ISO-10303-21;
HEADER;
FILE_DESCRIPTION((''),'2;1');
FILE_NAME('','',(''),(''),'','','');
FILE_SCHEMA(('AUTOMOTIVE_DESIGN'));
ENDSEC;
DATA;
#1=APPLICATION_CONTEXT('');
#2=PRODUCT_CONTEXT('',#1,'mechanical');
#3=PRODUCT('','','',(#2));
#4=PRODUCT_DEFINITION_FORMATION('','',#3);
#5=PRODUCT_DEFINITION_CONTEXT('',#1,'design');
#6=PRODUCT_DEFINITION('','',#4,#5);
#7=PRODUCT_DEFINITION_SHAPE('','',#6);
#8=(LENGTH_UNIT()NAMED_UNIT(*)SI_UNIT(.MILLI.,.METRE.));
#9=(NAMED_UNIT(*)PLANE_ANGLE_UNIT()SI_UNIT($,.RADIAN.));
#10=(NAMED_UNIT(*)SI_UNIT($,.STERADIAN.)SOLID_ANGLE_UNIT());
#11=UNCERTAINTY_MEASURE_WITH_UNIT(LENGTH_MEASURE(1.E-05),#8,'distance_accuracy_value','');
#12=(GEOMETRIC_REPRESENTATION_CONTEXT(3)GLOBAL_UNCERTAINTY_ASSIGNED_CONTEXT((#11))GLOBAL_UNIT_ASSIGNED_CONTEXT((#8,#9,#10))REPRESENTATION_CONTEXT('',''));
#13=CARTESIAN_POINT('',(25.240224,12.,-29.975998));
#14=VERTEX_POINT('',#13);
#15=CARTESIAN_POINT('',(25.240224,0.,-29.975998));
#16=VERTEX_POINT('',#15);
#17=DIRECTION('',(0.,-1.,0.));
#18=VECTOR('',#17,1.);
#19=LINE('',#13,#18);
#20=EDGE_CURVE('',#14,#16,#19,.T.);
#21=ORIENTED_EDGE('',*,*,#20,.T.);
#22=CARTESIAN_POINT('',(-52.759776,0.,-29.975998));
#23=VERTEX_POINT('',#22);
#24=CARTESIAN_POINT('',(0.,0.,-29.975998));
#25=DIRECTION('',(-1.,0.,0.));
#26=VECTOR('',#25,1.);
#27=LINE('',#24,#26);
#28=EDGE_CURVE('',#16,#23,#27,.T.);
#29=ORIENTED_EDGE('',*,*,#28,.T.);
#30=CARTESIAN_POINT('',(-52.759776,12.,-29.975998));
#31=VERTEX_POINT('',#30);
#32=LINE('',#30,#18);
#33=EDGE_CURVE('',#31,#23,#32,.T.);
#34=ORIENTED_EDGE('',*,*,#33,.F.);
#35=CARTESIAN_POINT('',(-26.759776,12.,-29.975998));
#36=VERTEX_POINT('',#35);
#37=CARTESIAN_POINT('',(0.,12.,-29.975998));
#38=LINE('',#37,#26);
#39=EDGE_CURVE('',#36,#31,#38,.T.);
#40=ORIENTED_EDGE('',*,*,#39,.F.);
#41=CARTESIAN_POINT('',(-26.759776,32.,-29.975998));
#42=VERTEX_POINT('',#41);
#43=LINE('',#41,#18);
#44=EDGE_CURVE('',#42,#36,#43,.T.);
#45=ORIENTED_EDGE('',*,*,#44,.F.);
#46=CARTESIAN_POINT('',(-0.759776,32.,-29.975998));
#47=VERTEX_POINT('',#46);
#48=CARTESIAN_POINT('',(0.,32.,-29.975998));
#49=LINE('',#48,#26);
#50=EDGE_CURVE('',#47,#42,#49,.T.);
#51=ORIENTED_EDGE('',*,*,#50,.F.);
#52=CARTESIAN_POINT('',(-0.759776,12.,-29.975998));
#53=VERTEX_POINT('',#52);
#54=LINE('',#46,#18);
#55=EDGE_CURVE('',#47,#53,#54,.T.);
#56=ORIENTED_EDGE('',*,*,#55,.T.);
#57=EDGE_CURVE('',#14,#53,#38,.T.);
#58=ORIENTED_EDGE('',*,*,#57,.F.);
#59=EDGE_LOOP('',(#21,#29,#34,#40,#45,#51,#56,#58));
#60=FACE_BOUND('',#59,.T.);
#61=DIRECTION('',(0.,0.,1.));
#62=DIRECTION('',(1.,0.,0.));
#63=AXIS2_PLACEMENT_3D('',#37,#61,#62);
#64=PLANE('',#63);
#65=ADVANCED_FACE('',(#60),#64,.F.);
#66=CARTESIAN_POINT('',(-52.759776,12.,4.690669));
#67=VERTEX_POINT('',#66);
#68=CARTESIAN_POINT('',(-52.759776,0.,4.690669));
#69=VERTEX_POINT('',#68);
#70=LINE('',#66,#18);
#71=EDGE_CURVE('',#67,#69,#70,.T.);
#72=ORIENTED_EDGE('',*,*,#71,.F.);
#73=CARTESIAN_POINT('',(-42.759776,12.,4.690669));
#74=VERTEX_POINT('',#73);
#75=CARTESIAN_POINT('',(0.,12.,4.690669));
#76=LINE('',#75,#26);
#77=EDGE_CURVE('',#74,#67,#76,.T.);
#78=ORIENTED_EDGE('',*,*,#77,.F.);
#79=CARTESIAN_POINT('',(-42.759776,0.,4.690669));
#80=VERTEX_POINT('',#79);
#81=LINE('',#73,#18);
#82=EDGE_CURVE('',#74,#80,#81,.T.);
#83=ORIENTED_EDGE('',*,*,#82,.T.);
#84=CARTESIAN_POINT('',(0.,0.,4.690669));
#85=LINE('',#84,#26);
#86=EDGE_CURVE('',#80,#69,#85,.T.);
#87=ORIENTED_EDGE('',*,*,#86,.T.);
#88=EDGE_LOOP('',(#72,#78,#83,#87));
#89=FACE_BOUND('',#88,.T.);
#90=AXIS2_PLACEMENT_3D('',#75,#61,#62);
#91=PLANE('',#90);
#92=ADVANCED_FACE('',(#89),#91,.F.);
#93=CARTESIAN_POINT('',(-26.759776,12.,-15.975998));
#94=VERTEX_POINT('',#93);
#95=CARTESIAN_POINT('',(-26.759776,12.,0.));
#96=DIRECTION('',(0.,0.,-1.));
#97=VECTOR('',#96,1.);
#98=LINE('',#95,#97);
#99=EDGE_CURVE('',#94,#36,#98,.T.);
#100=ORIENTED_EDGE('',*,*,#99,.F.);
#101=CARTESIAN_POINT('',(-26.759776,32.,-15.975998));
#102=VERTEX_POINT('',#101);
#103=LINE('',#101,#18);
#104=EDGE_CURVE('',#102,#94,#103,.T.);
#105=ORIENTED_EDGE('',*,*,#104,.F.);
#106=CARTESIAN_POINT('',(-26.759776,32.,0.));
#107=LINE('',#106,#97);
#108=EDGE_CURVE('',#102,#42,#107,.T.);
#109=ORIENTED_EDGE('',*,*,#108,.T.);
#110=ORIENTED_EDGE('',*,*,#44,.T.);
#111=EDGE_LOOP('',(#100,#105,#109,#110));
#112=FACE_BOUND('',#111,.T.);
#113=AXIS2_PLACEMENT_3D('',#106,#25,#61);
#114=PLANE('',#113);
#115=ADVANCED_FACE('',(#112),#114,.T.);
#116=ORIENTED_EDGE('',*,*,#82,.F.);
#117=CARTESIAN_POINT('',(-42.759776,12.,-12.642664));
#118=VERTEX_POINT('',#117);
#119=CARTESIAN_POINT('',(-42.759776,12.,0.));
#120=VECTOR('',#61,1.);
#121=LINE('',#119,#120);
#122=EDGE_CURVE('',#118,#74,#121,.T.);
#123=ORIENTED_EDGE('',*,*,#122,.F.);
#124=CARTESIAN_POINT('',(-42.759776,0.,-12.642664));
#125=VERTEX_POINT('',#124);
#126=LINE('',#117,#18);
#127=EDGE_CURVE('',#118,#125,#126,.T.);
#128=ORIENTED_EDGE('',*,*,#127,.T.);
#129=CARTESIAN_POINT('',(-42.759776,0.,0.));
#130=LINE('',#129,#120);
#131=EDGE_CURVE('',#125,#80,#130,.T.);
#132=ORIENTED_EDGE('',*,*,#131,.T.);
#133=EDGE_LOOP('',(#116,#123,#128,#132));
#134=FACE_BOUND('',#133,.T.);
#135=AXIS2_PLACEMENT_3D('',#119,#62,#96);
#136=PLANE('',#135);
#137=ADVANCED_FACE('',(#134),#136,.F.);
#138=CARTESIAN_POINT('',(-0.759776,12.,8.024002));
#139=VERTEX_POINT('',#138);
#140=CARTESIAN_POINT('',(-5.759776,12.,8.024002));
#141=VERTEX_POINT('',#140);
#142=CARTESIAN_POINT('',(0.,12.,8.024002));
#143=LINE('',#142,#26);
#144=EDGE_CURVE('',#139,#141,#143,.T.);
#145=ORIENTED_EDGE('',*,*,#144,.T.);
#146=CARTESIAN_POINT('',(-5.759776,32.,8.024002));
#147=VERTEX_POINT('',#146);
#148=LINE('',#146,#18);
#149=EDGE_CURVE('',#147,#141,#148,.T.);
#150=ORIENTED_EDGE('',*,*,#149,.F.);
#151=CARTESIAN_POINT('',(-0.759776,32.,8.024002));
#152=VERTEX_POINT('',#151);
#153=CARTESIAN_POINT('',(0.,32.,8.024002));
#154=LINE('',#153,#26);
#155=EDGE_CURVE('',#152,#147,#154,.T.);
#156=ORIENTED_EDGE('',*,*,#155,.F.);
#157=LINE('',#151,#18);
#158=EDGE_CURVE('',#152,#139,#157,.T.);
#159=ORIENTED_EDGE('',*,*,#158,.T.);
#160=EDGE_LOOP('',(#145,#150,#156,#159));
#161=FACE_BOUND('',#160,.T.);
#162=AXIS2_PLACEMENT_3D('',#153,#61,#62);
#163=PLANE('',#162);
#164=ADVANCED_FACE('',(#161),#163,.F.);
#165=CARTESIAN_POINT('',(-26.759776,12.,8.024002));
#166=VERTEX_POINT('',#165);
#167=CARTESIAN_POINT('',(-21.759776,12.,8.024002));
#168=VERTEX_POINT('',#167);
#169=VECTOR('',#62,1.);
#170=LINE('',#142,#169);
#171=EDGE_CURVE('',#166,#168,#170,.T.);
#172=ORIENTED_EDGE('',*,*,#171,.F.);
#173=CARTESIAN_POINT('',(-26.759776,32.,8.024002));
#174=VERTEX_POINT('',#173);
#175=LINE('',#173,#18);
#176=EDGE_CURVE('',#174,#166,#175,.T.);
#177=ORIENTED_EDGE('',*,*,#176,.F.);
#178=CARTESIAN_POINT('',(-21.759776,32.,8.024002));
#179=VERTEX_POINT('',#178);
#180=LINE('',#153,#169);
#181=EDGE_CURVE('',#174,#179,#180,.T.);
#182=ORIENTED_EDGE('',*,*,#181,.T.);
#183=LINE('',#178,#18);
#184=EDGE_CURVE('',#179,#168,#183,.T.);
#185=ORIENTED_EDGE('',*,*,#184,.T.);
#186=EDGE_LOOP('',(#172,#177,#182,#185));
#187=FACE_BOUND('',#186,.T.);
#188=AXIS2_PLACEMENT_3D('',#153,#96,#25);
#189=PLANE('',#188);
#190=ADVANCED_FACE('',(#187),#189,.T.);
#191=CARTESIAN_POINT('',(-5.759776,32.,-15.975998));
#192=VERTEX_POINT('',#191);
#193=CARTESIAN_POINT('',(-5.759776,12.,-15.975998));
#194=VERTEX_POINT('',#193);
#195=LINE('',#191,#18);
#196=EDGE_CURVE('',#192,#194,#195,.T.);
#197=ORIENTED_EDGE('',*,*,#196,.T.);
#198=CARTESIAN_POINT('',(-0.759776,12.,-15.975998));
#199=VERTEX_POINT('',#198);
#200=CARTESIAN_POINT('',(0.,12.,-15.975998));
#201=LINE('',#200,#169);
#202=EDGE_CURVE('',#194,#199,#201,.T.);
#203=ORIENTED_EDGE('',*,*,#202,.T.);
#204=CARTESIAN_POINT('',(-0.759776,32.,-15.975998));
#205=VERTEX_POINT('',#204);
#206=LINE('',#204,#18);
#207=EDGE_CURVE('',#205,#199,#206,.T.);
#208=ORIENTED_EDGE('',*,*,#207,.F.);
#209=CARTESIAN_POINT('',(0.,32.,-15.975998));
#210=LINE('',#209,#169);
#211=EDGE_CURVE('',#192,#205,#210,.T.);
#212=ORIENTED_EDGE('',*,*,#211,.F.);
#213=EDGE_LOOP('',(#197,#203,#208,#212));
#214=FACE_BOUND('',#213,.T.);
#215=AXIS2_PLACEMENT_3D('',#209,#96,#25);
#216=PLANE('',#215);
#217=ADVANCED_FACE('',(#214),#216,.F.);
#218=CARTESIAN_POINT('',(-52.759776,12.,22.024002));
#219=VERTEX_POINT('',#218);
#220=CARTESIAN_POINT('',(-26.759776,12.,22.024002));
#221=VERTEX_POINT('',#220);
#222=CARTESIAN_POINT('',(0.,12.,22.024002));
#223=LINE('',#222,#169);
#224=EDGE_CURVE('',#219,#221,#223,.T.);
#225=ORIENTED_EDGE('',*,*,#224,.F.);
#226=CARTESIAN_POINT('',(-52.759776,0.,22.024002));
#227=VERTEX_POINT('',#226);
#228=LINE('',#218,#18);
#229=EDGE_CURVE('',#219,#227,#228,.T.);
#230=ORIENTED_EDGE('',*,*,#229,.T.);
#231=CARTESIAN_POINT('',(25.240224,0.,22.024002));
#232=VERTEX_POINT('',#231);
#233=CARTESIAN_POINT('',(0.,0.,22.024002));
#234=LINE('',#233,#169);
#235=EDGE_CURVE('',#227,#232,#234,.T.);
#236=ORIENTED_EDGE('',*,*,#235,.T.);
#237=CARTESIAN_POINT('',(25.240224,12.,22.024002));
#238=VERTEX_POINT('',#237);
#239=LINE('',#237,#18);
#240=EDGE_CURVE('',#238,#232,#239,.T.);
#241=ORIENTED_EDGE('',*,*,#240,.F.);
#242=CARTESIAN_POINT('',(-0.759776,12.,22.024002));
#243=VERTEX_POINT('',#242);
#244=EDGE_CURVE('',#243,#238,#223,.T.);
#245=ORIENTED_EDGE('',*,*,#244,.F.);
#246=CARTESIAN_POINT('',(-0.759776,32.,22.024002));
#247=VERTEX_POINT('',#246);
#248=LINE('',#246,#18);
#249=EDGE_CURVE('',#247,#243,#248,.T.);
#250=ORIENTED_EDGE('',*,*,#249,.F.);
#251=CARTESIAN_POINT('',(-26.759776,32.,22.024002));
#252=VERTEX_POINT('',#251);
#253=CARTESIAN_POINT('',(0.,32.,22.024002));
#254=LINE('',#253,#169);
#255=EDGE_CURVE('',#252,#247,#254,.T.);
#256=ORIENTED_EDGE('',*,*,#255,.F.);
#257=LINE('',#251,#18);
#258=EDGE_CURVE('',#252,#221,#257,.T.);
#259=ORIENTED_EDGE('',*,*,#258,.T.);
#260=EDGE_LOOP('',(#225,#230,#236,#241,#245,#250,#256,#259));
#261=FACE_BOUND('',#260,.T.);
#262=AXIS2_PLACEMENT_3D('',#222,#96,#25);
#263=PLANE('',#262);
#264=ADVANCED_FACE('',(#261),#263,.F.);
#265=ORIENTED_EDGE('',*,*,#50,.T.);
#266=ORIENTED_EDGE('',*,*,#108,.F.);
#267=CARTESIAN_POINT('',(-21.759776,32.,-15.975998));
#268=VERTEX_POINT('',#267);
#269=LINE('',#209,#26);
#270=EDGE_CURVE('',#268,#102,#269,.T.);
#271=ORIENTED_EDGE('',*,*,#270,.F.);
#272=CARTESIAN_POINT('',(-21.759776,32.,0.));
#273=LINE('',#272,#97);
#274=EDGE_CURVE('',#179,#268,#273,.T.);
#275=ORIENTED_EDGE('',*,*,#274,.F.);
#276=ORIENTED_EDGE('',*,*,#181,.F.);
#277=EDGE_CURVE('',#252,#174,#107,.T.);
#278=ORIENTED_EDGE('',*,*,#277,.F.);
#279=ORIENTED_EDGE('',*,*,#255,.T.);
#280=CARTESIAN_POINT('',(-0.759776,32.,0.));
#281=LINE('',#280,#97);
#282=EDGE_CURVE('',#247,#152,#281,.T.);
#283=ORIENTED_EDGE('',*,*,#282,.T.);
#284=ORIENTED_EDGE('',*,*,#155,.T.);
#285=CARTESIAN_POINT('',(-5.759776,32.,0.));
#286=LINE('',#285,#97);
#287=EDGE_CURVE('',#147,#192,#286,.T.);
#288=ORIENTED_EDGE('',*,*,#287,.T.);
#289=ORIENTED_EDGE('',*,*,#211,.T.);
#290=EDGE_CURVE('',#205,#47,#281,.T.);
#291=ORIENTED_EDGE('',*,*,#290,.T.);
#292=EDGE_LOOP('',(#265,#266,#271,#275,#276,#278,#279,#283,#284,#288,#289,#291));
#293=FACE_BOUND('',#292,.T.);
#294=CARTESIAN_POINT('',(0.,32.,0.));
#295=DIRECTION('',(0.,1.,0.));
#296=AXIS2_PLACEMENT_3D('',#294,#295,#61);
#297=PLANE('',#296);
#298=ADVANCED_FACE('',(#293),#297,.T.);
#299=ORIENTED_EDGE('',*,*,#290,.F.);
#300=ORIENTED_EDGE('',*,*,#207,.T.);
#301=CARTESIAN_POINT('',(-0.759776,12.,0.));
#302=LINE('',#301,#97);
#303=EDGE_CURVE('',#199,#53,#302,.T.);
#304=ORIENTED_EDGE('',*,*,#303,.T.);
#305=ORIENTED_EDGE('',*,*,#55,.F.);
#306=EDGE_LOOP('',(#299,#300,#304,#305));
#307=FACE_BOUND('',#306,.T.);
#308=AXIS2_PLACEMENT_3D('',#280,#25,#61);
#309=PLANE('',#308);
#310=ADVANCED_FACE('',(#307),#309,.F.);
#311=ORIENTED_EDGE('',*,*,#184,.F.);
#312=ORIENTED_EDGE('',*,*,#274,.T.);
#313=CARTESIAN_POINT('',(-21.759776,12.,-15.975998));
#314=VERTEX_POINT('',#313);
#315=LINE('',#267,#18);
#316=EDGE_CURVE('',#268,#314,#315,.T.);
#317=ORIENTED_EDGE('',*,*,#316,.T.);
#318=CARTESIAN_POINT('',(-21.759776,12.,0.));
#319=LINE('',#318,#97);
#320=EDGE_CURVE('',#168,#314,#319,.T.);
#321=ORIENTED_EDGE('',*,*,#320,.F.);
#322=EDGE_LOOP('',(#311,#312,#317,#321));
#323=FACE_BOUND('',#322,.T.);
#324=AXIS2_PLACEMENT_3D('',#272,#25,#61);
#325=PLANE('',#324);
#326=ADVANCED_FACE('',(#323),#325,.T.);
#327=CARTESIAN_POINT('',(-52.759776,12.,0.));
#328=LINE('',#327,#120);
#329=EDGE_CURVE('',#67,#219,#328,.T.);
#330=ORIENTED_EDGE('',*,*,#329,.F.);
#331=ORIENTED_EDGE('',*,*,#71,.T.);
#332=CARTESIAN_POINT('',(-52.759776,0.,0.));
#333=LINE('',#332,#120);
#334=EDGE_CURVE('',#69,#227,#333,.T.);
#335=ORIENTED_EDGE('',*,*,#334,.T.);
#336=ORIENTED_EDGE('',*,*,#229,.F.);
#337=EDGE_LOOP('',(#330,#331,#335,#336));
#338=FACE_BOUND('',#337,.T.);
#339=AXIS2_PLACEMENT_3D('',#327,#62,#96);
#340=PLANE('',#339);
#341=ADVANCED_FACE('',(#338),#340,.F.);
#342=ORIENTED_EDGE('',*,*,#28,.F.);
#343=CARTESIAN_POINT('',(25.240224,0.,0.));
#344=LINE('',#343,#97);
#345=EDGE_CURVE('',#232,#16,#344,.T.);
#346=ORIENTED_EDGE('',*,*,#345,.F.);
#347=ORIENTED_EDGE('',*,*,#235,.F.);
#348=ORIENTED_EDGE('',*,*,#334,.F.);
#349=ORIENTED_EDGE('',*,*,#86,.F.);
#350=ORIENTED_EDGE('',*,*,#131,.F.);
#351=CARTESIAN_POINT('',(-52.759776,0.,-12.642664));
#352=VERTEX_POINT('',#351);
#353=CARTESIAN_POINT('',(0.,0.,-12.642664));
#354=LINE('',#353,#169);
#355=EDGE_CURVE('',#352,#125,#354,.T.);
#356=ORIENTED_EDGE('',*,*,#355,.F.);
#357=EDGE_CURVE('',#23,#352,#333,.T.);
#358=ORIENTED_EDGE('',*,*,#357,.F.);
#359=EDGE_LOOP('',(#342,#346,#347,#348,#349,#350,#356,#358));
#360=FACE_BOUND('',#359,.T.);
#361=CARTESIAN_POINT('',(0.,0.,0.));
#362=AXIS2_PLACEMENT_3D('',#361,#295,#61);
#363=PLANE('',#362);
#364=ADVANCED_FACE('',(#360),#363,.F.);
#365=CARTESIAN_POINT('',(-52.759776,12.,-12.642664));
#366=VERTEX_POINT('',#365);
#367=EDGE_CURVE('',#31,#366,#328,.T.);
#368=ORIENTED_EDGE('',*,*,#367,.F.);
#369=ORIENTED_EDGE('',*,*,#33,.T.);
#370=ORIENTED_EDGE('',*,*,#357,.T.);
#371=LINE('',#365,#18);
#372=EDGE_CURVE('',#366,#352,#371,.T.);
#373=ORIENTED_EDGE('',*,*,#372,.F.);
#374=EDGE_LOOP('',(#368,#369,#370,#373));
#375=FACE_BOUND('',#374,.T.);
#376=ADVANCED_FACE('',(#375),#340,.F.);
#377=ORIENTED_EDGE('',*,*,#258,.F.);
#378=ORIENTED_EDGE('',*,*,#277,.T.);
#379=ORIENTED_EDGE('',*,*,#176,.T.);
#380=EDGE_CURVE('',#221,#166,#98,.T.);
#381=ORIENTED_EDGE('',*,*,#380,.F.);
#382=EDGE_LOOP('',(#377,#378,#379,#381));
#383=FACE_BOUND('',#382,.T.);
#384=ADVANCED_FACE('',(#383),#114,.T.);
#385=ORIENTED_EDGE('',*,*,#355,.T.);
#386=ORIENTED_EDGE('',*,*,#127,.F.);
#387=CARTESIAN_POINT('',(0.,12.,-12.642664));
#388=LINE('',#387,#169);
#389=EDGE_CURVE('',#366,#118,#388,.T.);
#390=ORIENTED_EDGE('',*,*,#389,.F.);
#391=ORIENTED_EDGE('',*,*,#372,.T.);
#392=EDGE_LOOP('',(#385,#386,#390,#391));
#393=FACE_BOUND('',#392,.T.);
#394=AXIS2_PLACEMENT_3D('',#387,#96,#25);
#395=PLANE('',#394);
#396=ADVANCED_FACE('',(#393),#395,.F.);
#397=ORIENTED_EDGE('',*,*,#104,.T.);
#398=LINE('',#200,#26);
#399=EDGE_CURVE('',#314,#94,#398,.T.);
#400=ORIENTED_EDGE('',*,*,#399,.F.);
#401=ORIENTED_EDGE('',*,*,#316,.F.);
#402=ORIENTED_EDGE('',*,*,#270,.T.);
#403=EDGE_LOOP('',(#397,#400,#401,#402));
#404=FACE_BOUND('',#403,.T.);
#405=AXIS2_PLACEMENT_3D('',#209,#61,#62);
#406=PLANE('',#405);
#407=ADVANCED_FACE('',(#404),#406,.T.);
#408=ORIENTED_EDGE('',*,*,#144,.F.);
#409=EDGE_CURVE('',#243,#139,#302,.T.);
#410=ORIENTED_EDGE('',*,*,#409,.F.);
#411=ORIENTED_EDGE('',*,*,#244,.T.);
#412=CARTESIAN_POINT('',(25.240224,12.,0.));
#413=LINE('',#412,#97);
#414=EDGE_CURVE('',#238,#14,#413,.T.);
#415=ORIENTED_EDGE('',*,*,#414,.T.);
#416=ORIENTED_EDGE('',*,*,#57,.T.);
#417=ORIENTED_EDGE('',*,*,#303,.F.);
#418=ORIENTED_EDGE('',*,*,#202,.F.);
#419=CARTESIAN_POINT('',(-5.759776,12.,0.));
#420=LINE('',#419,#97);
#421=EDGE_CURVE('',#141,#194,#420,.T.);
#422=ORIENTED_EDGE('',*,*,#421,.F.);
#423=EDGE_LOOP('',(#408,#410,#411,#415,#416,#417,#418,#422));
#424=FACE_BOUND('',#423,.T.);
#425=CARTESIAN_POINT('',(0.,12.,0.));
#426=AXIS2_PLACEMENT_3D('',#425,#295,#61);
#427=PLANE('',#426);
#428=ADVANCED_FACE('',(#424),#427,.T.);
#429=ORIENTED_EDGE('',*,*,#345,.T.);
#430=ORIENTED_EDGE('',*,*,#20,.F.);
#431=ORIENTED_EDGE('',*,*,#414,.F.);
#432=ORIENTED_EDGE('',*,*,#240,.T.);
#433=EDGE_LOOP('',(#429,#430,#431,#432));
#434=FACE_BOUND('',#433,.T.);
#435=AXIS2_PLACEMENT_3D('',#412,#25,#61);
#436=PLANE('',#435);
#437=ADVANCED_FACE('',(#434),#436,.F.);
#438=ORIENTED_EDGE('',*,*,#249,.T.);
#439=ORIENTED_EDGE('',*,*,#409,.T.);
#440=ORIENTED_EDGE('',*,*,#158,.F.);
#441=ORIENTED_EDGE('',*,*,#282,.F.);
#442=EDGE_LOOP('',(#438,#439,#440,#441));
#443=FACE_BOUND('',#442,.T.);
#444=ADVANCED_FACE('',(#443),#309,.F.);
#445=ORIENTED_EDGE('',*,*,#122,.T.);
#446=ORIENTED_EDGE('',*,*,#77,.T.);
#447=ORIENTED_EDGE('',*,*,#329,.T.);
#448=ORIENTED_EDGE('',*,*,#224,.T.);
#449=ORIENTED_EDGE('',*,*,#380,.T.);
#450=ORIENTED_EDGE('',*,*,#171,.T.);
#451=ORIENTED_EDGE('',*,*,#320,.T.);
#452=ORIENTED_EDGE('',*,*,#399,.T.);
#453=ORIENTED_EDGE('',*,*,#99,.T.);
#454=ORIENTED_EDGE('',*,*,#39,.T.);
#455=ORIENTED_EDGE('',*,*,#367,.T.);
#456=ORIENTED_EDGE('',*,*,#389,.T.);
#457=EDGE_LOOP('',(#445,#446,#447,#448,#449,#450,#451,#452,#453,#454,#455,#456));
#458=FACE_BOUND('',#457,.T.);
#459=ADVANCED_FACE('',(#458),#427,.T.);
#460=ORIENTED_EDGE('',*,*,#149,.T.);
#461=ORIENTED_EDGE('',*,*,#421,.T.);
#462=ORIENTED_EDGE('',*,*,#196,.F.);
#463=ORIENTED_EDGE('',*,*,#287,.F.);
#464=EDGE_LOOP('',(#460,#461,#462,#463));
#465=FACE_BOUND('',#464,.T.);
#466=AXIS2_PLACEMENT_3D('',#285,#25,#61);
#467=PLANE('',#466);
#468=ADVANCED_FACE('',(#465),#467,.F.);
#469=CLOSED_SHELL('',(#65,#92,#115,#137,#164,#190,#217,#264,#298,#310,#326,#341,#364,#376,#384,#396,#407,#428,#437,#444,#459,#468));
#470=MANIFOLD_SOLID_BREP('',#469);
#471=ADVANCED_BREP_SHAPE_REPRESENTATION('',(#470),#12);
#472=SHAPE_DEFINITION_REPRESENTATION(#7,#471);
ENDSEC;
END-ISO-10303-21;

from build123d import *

# Parameters (mm, degrees)
BOSS_EXTRUDE5_DEPTH   = 12
BOSS_EXTRUDE5_2_DEPTH = 12
BOSS_EXTRUDE6_DEPTH   = 32


with BuildPart() as part:
    # Sketch6 → Boss-Extrude5 (new body)
    with BuildSketch(Plane(origin=(0, 0, 0), x_dir=(1, 0, 0), z_dir=(0, 1, 0))):
        Polygon((-26.75977594, 29.975997565), (-52.75977594, 29.975997565), (-52.75977594, 12.642664232), (-42.75977594, 12.642664232), (-42.75977594, -4.690669102), (-52.75977594, -4.690669102), (-52.75977594, -22.024002435), (-26.75977594, -22.024002435), (-26.75977594, -8.024002435), (-21.75977594, -8.024002435), (-21.75977594, 15.975997565), (-26.75977594, 15.975997565), align=None)
    extrude(amount=BOSS_EXTRUDE5_DEPTH)



with BuildPart() as body_2:
    # Sketch6 → Boss-Extrude5 2 (new body)
    with BuildSketch(Plane(origin=(0, 0, 0), x_dir=(1, 0, 0), z_dir=(0, 1, 0))):
        Polygon((25.24022406, 29.975997565), (-0.75977594, 29.975997565), (-0.75977594, 15.975997565), (-5.75977594, 15.975997565), (-5.75977594, -8.024002435), (-0.75977594, -8.024002435), (-0.75977594, -22.024002435), (25.24022406, -22.024002435), align=None)
    extrude(amount=BOSS_EXTRUDE5_2_DEPTH)


with BuildPart() as part_1:
    add(part.part)

    add(body_2.part)  # Boss-Extrude6 merges body 2
    # Sketch6<3> → Boss-Extrude6 (add)
    with BuildSketch(Plane(origin=(0, 0, 0), x_dir=(1, 0, 0), z_dir=(0, 1, 0))):
        Polygon((-0.75977594, 29.975997565), (-26.75977594, 29.975997565), (-26.75977594, 15.975997565), (-21.75977594, 15.975997565), (-21.75977594, -8.024002435), (-26.75977594, -8.024002435), (-26.75977594, -22.024002435), (-0.75977594, -22.024002435), (-0.75977594, -8.024002435), (-5.75977594, -8.024002435), (-5.75977594, 15.975997565), (-0.75977594, 15.975997565), align=None)
    extrude(amount=BOSS_EXTRUDE6_DEPTH)


solid = part_1.part
